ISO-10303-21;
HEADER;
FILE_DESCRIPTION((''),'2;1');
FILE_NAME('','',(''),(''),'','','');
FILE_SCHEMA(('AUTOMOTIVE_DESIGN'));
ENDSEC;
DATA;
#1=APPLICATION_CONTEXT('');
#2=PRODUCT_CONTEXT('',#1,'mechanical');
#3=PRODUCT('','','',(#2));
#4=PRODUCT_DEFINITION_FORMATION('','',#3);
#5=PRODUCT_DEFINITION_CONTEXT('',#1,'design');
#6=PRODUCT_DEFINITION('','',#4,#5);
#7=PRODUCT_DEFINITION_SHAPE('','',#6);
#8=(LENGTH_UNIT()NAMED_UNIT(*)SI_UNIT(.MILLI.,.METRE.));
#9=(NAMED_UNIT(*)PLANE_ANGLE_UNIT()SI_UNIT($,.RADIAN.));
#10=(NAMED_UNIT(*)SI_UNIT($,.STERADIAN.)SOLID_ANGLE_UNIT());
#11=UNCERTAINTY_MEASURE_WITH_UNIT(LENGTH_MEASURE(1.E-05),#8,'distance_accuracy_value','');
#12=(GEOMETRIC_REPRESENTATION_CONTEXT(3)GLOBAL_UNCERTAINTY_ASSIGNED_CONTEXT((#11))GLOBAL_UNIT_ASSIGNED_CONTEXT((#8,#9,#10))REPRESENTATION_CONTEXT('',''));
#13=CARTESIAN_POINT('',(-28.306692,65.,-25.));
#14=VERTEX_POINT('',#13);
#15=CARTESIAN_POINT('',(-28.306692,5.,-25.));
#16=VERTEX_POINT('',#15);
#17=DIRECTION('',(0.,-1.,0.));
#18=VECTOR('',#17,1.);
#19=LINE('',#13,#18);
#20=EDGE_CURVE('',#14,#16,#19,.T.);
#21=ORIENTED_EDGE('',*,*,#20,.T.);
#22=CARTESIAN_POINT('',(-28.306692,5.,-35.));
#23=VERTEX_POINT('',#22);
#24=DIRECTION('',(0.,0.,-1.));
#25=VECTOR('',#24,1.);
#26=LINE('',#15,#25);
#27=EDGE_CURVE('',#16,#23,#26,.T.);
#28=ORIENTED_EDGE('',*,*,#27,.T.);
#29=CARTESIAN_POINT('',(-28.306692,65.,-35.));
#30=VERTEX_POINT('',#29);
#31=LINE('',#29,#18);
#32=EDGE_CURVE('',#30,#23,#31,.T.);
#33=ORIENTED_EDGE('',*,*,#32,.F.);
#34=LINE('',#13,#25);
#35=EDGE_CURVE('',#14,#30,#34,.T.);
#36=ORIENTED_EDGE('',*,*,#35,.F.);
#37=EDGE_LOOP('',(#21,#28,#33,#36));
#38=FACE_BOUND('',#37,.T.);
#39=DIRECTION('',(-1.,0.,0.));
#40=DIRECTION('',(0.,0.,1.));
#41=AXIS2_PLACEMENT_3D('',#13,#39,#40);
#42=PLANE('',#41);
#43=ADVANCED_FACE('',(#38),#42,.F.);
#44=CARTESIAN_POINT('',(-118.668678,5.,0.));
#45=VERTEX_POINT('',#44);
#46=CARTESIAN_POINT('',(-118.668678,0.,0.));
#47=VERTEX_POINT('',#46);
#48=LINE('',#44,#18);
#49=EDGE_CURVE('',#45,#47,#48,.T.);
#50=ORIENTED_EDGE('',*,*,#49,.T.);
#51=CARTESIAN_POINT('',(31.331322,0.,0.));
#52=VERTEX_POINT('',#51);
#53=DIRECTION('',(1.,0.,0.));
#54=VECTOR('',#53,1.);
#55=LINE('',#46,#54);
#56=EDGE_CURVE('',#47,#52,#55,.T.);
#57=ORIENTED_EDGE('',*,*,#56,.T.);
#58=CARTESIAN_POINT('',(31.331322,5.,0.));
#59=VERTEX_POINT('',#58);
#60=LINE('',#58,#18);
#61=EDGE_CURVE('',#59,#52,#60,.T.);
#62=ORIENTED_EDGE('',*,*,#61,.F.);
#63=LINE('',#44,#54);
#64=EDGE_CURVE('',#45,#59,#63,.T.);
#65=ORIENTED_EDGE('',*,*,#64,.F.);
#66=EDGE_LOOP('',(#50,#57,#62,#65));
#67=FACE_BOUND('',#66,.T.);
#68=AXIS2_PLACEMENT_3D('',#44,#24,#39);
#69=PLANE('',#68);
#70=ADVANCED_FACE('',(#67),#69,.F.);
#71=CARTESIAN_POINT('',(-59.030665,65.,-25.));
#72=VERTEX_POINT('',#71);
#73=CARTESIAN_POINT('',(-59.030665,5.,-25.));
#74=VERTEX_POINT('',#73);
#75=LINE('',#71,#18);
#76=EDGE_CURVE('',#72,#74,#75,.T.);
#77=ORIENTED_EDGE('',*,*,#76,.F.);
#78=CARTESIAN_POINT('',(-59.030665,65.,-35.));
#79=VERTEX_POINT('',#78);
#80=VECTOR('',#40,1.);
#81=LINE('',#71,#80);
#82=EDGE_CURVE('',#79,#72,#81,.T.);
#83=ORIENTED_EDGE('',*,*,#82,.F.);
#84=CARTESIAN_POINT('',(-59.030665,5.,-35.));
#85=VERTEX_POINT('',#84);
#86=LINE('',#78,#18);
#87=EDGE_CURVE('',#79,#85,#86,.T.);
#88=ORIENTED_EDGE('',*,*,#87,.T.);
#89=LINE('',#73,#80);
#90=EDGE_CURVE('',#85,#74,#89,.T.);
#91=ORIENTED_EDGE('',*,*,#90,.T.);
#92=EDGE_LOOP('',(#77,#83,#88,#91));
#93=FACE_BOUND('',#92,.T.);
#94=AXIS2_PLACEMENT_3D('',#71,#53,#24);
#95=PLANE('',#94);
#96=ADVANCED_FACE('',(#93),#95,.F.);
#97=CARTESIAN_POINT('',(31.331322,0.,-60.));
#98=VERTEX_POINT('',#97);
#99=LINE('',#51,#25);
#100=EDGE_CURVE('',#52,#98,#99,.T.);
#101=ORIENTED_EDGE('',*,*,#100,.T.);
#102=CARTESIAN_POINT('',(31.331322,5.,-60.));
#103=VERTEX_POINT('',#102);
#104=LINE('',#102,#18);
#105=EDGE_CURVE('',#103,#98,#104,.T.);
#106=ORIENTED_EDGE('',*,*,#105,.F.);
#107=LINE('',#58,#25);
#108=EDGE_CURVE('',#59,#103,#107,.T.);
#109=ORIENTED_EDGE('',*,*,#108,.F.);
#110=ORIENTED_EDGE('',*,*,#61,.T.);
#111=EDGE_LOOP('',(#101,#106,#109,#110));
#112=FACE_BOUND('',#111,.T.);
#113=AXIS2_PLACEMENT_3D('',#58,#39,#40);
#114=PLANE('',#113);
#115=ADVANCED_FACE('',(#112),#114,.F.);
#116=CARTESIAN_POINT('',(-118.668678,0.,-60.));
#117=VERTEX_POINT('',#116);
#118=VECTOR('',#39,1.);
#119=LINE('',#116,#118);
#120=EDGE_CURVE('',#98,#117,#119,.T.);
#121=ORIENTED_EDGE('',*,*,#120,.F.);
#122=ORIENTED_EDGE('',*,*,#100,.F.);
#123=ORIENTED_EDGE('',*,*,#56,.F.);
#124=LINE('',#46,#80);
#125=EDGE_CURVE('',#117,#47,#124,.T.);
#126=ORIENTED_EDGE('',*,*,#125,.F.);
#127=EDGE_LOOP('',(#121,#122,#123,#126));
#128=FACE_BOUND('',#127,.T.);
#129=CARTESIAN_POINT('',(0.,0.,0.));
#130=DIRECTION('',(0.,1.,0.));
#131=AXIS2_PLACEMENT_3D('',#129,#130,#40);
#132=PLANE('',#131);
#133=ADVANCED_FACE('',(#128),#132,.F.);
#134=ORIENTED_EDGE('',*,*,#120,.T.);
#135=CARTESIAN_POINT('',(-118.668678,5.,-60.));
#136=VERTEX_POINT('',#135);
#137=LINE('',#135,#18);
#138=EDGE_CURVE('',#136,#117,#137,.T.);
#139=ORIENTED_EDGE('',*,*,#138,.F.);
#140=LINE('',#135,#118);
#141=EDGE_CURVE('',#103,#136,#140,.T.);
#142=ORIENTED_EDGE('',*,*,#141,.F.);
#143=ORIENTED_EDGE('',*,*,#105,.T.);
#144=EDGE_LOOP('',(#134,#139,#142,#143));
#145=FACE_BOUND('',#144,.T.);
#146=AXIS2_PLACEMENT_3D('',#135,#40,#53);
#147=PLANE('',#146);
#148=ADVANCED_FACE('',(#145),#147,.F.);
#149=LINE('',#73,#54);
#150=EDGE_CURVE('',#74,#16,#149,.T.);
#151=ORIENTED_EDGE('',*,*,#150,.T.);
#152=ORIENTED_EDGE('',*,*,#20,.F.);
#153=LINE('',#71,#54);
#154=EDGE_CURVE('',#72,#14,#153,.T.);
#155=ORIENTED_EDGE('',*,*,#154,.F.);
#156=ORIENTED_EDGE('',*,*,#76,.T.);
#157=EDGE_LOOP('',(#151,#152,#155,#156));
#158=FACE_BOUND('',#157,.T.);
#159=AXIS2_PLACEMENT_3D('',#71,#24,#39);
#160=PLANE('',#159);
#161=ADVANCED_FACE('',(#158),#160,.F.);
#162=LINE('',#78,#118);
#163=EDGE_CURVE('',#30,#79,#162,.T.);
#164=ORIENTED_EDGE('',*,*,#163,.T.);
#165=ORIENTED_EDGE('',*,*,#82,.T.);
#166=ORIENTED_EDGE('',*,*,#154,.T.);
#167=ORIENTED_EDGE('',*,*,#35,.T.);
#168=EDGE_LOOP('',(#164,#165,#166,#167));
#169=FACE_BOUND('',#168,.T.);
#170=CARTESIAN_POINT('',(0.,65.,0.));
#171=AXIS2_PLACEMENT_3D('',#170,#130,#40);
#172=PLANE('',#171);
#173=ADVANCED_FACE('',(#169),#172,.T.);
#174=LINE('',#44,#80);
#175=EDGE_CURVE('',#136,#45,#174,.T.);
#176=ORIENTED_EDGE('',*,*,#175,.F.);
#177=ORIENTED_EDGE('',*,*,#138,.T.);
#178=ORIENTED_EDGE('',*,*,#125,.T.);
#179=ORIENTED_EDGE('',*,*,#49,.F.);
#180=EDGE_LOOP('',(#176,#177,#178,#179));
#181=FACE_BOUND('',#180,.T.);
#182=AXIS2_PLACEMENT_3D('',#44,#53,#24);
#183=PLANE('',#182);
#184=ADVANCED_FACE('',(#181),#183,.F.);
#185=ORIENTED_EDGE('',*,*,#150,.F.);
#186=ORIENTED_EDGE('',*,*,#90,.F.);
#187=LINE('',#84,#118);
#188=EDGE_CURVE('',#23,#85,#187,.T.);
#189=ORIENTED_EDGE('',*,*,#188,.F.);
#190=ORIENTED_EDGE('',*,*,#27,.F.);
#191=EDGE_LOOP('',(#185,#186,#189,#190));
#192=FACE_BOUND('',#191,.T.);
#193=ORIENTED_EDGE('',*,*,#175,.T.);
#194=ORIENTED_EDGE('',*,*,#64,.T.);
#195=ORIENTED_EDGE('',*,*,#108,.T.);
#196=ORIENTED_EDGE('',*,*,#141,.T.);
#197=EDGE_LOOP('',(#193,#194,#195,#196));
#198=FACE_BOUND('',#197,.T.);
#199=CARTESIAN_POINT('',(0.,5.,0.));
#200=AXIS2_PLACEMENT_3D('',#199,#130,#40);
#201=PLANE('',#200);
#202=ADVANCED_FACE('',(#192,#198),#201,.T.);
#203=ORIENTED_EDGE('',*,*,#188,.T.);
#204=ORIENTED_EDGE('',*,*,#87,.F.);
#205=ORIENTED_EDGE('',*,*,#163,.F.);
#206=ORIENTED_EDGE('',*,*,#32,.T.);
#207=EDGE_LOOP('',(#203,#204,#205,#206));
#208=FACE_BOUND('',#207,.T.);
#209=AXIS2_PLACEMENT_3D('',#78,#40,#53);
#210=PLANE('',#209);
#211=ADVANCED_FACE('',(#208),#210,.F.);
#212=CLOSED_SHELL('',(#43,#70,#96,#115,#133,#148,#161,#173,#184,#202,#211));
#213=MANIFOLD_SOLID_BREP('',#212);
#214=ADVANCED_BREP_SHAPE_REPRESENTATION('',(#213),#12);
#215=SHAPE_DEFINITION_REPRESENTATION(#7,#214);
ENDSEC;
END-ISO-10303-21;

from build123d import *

# Parameters (mm, degrees)
SKETCH_1_W      = 150
SKETCH_1_H      = 60
EXTRUDE_1_DEPTH = 5
SKETCH_2_W      = 30.723972916
SKETCH_2_H      = 10
EXTRUDE_2_DEPTH = 60


with BuildPart() as part:
    # 草图1 → 凸台-拉伸1 (new body)
    with BuildSketch(Plane(origin=(0, 0, 0), x_dir=(1, 0, 0), z_dir=(0, 1, 0))):
        with Locations((-43.668678378, 30)):
            Rectangle(SKETCH_1_W, SKETCH_1_H)
    extrude(amount=EXTRUDE_1_DEPTH)

    # 草图2 → 凸台-拉伸2 (add)
    with BuildSketch(Plane(origin=(0, 5, 0), x_dir=(1, 0, 0), z_dir=(0, 1, 0))):
        with Locations((-43.668678378, 30)):
            Rectangle(SKETCH_2_W, SKETCH_2_H)
    extrude(amount=EXTRUDE_2_DEPTH)


solid = part.part
